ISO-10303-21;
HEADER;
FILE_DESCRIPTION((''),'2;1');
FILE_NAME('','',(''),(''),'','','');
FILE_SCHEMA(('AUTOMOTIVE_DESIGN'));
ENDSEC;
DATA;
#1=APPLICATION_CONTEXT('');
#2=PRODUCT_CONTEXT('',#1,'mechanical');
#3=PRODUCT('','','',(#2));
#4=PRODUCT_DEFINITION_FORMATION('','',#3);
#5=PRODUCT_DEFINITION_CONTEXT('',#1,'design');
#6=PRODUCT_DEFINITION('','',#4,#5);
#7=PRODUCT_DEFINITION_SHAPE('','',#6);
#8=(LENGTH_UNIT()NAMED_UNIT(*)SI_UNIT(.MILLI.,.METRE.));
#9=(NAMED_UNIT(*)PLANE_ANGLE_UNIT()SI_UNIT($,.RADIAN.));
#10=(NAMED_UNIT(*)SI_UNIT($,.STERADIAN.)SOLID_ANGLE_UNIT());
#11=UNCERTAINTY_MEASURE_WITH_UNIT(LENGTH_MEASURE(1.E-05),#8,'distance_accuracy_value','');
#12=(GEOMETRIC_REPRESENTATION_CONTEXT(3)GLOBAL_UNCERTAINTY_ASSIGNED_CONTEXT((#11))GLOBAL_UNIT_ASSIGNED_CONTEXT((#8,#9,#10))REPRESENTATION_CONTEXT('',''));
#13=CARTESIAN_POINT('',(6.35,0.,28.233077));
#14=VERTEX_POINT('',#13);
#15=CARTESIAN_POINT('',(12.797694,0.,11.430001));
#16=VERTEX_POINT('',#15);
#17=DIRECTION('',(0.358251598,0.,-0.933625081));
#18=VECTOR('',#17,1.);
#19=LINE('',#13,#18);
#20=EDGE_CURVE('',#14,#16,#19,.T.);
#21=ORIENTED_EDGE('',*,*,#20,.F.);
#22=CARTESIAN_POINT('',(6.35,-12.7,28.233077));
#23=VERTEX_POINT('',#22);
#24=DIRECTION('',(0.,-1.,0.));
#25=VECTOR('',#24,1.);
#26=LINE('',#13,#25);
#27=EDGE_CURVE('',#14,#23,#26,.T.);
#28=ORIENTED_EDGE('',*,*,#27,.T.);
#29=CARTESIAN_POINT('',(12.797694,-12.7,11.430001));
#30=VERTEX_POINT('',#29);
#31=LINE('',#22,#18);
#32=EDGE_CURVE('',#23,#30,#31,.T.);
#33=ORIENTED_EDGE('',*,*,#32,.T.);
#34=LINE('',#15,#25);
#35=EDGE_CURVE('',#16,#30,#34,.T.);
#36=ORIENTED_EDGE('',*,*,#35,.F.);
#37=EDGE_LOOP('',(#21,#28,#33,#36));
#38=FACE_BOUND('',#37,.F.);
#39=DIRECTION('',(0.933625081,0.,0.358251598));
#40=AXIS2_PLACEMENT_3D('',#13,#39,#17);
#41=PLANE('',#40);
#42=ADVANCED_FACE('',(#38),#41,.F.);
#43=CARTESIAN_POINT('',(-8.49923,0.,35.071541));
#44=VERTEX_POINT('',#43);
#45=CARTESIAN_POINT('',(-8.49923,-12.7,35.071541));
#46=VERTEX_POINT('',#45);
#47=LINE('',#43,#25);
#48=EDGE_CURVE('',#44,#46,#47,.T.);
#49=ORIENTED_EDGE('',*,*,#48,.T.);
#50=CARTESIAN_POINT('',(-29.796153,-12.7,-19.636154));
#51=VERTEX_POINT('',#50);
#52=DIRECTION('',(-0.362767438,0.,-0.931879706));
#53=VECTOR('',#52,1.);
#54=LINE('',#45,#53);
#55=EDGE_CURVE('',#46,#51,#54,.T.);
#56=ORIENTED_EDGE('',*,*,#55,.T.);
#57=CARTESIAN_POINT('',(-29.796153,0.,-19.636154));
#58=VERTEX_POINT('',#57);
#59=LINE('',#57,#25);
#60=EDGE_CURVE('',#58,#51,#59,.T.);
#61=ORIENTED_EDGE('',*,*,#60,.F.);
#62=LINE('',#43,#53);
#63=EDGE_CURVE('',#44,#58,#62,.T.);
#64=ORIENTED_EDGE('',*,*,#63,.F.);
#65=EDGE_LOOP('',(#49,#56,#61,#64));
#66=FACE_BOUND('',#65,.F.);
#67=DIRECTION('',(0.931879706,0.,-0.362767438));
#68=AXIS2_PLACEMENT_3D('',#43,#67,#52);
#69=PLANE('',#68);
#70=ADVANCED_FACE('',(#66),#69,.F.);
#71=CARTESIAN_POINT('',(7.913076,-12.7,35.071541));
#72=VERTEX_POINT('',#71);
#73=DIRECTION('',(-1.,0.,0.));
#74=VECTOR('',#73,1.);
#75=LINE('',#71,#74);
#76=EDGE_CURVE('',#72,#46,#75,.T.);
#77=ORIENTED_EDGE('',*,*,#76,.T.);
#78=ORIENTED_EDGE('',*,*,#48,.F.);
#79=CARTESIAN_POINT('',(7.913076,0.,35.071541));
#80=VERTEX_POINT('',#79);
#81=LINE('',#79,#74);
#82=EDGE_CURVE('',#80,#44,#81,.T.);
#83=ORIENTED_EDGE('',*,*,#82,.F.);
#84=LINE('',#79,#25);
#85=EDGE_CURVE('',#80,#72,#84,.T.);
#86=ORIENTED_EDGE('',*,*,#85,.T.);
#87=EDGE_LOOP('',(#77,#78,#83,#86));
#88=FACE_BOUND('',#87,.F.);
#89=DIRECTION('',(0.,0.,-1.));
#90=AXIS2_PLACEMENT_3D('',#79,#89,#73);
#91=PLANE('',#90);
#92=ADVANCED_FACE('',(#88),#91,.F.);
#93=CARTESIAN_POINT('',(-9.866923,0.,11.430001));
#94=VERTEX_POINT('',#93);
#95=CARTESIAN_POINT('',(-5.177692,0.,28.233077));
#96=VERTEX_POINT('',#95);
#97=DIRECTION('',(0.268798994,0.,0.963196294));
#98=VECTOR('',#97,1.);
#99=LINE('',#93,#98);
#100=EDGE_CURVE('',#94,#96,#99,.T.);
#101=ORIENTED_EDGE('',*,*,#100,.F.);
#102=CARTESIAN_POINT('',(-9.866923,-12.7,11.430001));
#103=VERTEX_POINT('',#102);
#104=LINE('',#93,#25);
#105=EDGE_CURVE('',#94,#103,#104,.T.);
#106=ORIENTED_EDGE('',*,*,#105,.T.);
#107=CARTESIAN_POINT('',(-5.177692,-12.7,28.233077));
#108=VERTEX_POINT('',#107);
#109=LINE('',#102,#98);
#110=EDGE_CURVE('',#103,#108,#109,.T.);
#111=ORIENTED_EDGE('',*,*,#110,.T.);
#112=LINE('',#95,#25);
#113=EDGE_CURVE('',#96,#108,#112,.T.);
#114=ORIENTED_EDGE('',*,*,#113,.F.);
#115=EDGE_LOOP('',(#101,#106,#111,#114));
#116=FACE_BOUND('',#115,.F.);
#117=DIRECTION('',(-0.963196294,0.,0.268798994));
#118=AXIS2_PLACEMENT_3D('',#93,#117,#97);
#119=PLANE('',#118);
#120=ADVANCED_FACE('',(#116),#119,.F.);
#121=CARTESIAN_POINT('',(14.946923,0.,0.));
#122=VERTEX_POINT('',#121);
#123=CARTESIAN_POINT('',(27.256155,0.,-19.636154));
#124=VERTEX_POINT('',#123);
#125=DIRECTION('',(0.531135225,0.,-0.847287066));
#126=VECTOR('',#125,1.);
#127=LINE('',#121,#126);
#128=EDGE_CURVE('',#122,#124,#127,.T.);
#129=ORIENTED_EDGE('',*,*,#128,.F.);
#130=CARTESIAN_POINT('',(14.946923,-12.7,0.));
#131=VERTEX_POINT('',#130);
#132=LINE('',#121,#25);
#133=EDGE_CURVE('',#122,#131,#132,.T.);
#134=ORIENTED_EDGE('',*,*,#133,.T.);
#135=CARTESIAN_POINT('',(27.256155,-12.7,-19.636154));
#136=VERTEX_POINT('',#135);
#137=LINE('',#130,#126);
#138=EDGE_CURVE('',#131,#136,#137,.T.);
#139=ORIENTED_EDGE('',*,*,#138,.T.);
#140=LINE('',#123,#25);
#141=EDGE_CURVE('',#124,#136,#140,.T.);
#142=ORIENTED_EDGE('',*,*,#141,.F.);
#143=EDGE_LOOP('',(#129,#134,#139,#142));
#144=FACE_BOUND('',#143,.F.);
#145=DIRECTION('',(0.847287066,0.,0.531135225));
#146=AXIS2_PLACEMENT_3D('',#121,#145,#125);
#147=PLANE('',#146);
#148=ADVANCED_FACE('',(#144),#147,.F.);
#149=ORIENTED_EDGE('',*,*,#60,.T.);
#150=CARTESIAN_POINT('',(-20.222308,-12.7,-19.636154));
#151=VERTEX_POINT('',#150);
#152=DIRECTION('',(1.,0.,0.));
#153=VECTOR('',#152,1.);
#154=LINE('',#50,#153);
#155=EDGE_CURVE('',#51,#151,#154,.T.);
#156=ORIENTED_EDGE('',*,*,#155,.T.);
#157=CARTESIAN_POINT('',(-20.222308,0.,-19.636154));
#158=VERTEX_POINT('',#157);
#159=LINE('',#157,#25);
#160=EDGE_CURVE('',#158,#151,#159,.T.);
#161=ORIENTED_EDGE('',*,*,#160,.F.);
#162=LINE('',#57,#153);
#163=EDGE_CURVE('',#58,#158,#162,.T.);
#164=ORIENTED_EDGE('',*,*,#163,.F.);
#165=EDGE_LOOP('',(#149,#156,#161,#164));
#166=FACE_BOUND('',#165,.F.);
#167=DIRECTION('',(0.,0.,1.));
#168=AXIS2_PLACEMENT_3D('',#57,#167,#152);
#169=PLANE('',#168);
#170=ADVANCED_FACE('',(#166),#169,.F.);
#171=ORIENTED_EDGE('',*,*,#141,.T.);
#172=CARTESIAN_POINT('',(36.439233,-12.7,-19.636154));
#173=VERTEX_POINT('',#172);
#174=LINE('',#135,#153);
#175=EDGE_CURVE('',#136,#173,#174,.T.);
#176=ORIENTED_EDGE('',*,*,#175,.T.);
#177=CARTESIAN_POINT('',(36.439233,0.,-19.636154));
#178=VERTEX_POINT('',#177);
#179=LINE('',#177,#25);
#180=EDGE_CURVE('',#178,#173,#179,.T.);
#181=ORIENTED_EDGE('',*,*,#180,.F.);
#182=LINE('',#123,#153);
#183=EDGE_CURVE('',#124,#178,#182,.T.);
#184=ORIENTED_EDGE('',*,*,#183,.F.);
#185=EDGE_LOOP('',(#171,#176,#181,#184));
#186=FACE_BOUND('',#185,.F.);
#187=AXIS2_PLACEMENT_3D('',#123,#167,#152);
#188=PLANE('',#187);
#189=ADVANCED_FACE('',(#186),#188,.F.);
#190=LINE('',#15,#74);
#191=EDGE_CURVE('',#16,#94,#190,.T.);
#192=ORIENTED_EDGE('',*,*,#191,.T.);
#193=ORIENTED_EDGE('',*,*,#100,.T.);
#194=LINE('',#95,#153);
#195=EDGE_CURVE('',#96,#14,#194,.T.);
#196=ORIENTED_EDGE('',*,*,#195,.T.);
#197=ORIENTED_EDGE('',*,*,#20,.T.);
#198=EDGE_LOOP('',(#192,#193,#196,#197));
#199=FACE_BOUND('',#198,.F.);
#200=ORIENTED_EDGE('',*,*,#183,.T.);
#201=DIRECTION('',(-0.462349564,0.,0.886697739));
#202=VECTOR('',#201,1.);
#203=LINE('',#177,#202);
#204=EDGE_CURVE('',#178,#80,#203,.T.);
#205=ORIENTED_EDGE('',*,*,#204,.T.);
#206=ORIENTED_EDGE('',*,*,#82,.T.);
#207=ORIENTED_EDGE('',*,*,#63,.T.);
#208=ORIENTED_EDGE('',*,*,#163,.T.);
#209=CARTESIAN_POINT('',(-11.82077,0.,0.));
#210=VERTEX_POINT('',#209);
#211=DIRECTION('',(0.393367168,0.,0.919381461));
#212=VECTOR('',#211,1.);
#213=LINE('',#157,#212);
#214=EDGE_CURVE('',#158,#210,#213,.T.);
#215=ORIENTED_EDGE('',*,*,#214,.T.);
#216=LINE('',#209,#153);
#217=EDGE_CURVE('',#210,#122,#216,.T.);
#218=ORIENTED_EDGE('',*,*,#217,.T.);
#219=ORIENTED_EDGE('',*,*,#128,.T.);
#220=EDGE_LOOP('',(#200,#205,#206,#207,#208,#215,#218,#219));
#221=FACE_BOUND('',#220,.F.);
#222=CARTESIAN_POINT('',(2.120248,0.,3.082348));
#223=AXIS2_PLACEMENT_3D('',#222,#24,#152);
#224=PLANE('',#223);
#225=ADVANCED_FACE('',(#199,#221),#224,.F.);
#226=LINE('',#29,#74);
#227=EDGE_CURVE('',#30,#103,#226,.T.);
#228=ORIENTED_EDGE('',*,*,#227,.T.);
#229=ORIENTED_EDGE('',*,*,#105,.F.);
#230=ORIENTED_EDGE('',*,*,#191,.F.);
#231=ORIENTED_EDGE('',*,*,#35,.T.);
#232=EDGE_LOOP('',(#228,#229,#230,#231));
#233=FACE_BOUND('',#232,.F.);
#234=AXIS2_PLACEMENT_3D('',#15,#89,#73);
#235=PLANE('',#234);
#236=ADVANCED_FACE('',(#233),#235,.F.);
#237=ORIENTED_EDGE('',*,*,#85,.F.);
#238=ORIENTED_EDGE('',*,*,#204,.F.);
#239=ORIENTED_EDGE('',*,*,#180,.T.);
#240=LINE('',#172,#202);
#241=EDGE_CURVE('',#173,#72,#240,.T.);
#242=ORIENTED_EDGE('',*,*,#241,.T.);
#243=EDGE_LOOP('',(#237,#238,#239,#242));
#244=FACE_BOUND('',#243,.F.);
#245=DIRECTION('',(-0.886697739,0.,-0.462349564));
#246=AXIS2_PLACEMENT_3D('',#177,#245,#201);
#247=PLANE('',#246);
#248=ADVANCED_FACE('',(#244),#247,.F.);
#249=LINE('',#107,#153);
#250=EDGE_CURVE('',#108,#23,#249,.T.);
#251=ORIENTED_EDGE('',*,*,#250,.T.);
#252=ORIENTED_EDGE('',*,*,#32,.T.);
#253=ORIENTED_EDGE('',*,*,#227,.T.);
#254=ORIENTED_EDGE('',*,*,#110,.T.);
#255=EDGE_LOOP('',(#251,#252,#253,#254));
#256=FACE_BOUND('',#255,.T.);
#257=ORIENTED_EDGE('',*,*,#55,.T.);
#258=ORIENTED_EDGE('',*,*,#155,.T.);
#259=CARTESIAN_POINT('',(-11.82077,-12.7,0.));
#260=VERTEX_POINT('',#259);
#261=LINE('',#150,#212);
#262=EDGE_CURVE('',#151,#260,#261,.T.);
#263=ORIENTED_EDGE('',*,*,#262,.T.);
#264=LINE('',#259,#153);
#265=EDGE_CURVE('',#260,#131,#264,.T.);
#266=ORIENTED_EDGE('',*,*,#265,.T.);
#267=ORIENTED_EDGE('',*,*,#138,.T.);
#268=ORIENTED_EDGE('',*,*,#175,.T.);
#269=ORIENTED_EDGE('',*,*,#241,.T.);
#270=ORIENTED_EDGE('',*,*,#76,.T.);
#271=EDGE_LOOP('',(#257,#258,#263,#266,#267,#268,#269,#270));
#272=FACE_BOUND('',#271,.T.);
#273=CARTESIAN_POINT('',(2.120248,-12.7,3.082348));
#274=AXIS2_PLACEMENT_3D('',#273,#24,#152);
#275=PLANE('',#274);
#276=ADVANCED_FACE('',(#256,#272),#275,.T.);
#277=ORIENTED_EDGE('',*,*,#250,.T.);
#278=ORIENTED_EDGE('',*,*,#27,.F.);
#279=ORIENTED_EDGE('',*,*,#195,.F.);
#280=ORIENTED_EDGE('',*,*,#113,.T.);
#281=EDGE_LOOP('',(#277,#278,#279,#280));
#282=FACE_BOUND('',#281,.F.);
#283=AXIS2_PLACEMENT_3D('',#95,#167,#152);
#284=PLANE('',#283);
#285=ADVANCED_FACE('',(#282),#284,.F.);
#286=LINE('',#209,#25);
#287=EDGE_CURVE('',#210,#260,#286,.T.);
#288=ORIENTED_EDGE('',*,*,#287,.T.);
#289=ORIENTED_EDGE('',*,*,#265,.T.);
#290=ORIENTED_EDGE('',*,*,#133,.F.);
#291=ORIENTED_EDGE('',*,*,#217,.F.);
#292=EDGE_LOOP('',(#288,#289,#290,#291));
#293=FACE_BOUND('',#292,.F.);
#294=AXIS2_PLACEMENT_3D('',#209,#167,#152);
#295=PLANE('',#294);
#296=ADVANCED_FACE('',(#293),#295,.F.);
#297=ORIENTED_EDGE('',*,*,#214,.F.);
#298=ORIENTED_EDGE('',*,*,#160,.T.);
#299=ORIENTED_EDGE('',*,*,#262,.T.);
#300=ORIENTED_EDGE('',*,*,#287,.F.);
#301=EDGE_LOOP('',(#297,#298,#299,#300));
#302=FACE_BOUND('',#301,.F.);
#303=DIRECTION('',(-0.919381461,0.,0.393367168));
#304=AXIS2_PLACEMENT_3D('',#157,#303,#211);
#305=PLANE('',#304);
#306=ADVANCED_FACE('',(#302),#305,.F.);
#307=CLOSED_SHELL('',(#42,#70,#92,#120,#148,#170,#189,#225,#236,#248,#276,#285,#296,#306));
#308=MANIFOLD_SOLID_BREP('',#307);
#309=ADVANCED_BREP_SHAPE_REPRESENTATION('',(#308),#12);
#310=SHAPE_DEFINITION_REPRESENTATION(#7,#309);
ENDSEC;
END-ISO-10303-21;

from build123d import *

# Parameters (mm, degrees)
F1_DEPTH = 12.7


with BuildPart() as f1:
    # F0 (on Front) → F1 (new body)
    with BuildSketch(Plane.XZ):
        Polygon((7.913076, 35.071541), (-8.49923, 35.071541), (-29.796153, -19.636154), (-20.222308, -19.636154), (-11.82077, 0), (14.946923, 0), (27.256155, -19.636154), (36.439233, -19.636154), align=None)
        Polygon((-9.866923, 11.430001), (-5.177692, 28.233077), (6.35, 28.233077), (12.797694, 11.430001), align=None, mode=Mode.SUBTRACT)
    extrude(amount=F1_DEPTH)


solid = f1.part
